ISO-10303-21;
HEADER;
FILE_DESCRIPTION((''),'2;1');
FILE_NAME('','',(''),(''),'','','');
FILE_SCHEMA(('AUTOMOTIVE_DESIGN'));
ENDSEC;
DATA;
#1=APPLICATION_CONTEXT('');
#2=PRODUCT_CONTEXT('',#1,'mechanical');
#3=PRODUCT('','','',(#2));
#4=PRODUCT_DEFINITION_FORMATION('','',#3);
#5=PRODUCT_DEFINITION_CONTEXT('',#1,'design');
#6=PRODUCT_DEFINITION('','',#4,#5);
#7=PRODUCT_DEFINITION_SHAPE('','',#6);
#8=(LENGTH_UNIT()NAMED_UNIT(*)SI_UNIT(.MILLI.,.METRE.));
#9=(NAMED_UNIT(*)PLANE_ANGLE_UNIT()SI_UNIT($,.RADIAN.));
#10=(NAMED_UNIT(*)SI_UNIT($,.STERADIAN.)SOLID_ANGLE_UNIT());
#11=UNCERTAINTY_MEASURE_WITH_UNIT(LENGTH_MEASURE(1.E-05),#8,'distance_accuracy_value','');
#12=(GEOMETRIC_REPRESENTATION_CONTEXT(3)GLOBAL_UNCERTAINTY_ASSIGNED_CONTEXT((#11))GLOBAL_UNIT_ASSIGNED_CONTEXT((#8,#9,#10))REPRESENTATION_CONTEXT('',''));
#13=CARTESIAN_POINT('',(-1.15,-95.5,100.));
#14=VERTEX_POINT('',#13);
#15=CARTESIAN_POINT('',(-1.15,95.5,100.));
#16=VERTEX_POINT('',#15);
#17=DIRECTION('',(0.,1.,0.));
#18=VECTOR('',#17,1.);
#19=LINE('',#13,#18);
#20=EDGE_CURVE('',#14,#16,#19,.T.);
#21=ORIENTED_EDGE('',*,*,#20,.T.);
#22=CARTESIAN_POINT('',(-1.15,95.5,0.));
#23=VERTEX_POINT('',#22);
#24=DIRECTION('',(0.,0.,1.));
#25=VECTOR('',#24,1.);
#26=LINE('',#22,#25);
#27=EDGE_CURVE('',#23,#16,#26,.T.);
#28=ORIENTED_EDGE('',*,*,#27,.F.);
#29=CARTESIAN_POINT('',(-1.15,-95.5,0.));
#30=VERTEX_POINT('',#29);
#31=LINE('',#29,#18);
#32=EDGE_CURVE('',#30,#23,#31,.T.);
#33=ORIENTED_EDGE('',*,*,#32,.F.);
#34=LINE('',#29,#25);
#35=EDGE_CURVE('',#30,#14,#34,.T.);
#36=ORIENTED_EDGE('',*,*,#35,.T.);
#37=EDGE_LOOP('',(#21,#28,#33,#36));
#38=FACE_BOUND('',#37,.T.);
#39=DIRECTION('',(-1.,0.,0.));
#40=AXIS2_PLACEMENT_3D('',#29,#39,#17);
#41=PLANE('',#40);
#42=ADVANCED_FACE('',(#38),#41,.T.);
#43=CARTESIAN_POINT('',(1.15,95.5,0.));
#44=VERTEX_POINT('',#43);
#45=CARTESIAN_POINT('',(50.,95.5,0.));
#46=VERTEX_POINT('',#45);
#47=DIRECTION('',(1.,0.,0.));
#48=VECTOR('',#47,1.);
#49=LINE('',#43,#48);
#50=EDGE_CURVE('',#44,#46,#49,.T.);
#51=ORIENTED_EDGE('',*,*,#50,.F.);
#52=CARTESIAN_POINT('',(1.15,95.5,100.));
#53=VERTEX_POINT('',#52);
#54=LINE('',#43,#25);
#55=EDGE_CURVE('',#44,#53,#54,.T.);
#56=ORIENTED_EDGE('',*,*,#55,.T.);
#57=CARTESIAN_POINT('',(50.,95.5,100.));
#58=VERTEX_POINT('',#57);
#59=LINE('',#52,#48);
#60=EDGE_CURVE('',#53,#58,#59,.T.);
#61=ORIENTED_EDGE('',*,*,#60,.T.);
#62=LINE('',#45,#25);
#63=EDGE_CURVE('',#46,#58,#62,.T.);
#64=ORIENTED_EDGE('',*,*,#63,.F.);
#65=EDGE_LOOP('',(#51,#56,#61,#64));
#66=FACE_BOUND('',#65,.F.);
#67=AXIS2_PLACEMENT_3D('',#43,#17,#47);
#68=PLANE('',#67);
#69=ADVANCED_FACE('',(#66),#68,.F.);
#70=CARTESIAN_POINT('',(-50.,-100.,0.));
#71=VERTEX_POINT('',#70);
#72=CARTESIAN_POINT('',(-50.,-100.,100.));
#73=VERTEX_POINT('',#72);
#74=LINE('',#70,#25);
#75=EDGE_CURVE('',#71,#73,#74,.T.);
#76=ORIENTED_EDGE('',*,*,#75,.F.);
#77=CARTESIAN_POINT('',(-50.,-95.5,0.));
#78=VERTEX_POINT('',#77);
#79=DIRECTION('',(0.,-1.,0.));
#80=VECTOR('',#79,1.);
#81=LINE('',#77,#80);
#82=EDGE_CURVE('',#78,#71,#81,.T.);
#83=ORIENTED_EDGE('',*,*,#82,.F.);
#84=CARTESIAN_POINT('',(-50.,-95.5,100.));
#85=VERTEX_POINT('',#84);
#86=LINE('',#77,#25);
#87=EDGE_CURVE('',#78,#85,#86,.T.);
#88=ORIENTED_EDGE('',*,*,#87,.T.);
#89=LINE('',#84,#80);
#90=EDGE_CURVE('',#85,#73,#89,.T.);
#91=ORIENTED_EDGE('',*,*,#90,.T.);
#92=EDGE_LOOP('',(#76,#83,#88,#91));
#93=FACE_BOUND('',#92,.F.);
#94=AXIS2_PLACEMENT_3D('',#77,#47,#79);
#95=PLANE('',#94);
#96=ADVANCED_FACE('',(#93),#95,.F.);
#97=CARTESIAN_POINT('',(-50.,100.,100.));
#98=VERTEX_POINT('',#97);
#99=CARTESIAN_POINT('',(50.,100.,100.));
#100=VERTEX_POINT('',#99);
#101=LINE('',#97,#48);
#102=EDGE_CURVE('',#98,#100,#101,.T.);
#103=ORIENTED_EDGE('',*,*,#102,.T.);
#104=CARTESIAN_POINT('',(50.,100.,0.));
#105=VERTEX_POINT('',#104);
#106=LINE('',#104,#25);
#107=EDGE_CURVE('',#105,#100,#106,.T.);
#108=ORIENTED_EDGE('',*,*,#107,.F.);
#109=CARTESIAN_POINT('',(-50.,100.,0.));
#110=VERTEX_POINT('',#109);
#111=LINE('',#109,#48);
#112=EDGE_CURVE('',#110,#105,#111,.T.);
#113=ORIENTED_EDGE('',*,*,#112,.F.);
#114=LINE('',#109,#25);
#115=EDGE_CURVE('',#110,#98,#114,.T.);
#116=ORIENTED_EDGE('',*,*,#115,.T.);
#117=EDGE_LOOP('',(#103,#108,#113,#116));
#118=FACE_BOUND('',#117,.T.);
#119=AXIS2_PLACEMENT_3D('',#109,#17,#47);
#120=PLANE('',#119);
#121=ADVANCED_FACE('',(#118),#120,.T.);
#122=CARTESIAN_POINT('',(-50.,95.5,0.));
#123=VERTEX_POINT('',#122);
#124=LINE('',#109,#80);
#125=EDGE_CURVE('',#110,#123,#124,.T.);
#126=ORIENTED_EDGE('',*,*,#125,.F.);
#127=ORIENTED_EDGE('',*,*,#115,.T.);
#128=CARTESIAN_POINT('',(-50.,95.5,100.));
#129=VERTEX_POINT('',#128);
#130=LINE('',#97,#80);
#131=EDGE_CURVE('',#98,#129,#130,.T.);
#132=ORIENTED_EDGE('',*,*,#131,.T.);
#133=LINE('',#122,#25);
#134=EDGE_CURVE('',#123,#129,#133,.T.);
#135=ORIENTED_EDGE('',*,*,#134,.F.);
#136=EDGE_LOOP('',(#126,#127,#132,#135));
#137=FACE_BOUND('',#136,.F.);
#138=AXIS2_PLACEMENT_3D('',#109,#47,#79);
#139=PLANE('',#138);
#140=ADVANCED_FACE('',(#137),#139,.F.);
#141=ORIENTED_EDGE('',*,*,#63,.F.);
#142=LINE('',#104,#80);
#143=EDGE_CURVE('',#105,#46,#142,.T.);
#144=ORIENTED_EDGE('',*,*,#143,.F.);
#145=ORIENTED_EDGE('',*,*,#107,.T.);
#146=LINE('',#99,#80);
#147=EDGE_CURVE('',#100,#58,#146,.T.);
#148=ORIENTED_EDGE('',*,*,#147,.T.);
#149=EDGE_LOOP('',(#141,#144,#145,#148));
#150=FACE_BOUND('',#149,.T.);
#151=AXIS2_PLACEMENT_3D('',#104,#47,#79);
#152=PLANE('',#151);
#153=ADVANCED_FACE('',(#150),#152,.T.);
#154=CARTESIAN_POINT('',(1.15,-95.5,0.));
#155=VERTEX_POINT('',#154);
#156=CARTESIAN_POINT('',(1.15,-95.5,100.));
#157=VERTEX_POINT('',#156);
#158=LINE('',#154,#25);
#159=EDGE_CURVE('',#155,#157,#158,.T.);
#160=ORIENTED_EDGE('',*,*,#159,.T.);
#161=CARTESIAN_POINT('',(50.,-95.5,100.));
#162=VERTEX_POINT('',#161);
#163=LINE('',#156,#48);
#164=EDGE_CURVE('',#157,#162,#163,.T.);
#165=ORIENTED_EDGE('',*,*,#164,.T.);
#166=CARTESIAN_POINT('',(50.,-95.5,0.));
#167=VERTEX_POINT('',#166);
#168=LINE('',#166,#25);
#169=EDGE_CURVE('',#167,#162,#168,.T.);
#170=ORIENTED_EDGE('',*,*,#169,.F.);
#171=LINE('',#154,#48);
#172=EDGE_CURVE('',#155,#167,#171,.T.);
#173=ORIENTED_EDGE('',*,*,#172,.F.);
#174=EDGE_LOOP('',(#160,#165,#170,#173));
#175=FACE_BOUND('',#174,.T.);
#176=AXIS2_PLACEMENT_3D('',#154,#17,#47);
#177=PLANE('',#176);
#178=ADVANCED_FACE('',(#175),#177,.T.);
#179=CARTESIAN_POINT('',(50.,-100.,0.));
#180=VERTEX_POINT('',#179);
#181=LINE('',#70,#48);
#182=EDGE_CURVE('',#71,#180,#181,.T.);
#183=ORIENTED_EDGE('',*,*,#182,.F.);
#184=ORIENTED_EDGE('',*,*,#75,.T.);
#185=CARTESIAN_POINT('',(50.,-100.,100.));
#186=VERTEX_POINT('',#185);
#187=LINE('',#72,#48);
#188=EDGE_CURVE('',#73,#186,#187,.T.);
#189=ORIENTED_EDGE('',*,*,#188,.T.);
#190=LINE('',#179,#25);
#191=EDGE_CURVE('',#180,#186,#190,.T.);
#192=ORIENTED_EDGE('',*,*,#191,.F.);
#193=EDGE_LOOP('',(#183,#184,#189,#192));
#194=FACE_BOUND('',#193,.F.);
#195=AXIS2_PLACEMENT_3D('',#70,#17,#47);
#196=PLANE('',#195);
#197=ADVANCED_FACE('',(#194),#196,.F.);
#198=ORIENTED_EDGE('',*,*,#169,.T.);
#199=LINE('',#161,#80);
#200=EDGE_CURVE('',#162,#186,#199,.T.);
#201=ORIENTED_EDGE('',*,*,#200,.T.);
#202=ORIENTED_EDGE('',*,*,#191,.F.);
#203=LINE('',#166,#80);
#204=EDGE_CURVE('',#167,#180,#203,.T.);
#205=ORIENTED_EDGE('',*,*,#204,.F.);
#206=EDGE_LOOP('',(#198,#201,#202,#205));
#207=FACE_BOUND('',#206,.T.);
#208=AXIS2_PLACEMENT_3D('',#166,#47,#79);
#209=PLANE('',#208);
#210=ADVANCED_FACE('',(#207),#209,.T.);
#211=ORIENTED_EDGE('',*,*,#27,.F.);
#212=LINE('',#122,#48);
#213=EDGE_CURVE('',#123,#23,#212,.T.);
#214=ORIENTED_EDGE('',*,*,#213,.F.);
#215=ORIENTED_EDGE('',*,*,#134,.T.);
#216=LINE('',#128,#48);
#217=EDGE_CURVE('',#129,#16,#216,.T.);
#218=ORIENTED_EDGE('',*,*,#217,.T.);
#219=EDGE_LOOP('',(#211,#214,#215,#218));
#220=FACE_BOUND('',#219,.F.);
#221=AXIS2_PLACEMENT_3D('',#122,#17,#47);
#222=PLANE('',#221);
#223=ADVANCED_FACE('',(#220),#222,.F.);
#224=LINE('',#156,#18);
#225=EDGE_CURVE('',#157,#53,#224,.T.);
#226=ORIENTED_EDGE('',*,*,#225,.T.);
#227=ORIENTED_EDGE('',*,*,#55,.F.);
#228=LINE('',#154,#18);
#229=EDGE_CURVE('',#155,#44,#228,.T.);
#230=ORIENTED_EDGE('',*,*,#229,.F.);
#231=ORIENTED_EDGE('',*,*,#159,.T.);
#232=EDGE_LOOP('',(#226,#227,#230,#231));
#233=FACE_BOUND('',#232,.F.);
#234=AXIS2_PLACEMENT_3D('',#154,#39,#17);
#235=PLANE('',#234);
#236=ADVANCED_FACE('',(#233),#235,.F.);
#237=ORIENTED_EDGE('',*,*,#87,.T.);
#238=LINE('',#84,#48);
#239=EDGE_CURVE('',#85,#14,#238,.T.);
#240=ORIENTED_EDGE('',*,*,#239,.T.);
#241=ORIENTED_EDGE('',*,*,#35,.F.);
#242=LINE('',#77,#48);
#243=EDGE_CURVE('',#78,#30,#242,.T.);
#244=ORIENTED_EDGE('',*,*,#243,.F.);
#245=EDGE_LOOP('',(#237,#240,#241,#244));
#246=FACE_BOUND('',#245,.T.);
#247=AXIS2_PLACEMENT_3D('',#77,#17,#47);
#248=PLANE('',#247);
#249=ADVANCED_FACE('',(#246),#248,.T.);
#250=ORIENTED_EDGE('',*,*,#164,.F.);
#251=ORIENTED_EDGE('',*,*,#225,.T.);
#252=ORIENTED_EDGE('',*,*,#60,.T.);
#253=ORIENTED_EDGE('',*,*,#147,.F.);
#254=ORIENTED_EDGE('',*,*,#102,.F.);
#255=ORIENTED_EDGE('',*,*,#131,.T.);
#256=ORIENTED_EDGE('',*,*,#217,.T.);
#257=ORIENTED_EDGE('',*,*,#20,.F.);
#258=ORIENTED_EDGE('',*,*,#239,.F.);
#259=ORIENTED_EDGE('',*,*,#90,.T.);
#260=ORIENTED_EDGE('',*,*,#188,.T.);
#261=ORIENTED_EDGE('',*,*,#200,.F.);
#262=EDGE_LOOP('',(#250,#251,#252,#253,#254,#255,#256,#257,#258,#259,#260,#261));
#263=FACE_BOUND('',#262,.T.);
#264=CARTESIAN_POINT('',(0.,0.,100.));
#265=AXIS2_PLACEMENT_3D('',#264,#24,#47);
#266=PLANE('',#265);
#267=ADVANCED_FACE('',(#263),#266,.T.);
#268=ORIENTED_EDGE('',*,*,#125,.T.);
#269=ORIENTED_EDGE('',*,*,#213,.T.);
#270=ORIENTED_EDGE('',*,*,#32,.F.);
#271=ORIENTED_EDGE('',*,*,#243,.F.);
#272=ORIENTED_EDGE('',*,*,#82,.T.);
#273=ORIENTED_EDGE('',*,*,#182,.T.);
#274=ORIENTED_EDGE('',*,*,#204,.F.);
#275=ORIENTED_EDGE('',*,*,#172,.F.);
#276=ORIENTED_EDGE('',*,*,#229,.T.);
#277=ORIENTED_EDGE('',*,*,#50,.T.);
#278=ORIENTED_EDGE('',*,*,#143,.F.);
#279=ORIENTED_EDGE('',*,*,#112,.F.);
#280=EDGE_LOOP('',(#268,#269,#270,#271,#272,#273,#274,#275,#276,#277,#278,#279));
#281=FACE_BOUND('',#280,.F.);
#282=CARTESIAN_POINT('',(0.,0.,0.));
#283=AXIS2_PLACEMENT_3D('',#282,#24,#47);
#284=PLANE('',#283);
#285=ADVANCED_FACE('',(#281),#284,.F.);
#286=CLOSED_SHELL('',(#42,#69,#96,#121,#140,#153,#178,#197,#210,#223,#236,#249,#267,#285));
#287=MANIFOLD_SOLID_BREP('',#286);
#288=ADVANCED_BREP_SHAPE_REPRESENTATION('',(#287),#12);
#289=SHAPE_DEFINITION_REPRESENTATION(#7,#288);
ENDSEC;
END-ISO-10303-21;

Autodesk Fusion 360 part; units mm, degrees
sketch "スケッチ1" plane through (0, 0, 0) normal (0, 0, 1) x (1, 0, 0)
  line L0 (0, -95.5) -> (0, 95.5)
  line L1 (-50, 100) -> (50, 100)
  line L2 (-50, -100) -> (50, -100)
  line L3 (1.15, -95.5) -> (1.15, 95.5)
  line L4 (-1.15, -95.5) -> (-1.15, 95.5)
  line L5 (-50, -95.5) -> (-1.15, -95.5)
  line L6 (1.15, -95.5) -> (50, -95.5)
  line L7 (-50, 95.5) -> (-1.15, 95.5)
  line L8 (1.15, 95.5) -> (50, 95.5)
  line L9 (50, 100) -> (50, 95.5)
  line L10 (-50, 100) -> (-50, 95.5)
  line L11 (-50, -95.5) -> (-50, -100)
  line L12 (50, -95.5) -> (50, -100)
  dimension "d2" = 100
  dimension "d3" = 100
extrude "押し出し1" add sketch "スケッチ1" along normal blind 100
